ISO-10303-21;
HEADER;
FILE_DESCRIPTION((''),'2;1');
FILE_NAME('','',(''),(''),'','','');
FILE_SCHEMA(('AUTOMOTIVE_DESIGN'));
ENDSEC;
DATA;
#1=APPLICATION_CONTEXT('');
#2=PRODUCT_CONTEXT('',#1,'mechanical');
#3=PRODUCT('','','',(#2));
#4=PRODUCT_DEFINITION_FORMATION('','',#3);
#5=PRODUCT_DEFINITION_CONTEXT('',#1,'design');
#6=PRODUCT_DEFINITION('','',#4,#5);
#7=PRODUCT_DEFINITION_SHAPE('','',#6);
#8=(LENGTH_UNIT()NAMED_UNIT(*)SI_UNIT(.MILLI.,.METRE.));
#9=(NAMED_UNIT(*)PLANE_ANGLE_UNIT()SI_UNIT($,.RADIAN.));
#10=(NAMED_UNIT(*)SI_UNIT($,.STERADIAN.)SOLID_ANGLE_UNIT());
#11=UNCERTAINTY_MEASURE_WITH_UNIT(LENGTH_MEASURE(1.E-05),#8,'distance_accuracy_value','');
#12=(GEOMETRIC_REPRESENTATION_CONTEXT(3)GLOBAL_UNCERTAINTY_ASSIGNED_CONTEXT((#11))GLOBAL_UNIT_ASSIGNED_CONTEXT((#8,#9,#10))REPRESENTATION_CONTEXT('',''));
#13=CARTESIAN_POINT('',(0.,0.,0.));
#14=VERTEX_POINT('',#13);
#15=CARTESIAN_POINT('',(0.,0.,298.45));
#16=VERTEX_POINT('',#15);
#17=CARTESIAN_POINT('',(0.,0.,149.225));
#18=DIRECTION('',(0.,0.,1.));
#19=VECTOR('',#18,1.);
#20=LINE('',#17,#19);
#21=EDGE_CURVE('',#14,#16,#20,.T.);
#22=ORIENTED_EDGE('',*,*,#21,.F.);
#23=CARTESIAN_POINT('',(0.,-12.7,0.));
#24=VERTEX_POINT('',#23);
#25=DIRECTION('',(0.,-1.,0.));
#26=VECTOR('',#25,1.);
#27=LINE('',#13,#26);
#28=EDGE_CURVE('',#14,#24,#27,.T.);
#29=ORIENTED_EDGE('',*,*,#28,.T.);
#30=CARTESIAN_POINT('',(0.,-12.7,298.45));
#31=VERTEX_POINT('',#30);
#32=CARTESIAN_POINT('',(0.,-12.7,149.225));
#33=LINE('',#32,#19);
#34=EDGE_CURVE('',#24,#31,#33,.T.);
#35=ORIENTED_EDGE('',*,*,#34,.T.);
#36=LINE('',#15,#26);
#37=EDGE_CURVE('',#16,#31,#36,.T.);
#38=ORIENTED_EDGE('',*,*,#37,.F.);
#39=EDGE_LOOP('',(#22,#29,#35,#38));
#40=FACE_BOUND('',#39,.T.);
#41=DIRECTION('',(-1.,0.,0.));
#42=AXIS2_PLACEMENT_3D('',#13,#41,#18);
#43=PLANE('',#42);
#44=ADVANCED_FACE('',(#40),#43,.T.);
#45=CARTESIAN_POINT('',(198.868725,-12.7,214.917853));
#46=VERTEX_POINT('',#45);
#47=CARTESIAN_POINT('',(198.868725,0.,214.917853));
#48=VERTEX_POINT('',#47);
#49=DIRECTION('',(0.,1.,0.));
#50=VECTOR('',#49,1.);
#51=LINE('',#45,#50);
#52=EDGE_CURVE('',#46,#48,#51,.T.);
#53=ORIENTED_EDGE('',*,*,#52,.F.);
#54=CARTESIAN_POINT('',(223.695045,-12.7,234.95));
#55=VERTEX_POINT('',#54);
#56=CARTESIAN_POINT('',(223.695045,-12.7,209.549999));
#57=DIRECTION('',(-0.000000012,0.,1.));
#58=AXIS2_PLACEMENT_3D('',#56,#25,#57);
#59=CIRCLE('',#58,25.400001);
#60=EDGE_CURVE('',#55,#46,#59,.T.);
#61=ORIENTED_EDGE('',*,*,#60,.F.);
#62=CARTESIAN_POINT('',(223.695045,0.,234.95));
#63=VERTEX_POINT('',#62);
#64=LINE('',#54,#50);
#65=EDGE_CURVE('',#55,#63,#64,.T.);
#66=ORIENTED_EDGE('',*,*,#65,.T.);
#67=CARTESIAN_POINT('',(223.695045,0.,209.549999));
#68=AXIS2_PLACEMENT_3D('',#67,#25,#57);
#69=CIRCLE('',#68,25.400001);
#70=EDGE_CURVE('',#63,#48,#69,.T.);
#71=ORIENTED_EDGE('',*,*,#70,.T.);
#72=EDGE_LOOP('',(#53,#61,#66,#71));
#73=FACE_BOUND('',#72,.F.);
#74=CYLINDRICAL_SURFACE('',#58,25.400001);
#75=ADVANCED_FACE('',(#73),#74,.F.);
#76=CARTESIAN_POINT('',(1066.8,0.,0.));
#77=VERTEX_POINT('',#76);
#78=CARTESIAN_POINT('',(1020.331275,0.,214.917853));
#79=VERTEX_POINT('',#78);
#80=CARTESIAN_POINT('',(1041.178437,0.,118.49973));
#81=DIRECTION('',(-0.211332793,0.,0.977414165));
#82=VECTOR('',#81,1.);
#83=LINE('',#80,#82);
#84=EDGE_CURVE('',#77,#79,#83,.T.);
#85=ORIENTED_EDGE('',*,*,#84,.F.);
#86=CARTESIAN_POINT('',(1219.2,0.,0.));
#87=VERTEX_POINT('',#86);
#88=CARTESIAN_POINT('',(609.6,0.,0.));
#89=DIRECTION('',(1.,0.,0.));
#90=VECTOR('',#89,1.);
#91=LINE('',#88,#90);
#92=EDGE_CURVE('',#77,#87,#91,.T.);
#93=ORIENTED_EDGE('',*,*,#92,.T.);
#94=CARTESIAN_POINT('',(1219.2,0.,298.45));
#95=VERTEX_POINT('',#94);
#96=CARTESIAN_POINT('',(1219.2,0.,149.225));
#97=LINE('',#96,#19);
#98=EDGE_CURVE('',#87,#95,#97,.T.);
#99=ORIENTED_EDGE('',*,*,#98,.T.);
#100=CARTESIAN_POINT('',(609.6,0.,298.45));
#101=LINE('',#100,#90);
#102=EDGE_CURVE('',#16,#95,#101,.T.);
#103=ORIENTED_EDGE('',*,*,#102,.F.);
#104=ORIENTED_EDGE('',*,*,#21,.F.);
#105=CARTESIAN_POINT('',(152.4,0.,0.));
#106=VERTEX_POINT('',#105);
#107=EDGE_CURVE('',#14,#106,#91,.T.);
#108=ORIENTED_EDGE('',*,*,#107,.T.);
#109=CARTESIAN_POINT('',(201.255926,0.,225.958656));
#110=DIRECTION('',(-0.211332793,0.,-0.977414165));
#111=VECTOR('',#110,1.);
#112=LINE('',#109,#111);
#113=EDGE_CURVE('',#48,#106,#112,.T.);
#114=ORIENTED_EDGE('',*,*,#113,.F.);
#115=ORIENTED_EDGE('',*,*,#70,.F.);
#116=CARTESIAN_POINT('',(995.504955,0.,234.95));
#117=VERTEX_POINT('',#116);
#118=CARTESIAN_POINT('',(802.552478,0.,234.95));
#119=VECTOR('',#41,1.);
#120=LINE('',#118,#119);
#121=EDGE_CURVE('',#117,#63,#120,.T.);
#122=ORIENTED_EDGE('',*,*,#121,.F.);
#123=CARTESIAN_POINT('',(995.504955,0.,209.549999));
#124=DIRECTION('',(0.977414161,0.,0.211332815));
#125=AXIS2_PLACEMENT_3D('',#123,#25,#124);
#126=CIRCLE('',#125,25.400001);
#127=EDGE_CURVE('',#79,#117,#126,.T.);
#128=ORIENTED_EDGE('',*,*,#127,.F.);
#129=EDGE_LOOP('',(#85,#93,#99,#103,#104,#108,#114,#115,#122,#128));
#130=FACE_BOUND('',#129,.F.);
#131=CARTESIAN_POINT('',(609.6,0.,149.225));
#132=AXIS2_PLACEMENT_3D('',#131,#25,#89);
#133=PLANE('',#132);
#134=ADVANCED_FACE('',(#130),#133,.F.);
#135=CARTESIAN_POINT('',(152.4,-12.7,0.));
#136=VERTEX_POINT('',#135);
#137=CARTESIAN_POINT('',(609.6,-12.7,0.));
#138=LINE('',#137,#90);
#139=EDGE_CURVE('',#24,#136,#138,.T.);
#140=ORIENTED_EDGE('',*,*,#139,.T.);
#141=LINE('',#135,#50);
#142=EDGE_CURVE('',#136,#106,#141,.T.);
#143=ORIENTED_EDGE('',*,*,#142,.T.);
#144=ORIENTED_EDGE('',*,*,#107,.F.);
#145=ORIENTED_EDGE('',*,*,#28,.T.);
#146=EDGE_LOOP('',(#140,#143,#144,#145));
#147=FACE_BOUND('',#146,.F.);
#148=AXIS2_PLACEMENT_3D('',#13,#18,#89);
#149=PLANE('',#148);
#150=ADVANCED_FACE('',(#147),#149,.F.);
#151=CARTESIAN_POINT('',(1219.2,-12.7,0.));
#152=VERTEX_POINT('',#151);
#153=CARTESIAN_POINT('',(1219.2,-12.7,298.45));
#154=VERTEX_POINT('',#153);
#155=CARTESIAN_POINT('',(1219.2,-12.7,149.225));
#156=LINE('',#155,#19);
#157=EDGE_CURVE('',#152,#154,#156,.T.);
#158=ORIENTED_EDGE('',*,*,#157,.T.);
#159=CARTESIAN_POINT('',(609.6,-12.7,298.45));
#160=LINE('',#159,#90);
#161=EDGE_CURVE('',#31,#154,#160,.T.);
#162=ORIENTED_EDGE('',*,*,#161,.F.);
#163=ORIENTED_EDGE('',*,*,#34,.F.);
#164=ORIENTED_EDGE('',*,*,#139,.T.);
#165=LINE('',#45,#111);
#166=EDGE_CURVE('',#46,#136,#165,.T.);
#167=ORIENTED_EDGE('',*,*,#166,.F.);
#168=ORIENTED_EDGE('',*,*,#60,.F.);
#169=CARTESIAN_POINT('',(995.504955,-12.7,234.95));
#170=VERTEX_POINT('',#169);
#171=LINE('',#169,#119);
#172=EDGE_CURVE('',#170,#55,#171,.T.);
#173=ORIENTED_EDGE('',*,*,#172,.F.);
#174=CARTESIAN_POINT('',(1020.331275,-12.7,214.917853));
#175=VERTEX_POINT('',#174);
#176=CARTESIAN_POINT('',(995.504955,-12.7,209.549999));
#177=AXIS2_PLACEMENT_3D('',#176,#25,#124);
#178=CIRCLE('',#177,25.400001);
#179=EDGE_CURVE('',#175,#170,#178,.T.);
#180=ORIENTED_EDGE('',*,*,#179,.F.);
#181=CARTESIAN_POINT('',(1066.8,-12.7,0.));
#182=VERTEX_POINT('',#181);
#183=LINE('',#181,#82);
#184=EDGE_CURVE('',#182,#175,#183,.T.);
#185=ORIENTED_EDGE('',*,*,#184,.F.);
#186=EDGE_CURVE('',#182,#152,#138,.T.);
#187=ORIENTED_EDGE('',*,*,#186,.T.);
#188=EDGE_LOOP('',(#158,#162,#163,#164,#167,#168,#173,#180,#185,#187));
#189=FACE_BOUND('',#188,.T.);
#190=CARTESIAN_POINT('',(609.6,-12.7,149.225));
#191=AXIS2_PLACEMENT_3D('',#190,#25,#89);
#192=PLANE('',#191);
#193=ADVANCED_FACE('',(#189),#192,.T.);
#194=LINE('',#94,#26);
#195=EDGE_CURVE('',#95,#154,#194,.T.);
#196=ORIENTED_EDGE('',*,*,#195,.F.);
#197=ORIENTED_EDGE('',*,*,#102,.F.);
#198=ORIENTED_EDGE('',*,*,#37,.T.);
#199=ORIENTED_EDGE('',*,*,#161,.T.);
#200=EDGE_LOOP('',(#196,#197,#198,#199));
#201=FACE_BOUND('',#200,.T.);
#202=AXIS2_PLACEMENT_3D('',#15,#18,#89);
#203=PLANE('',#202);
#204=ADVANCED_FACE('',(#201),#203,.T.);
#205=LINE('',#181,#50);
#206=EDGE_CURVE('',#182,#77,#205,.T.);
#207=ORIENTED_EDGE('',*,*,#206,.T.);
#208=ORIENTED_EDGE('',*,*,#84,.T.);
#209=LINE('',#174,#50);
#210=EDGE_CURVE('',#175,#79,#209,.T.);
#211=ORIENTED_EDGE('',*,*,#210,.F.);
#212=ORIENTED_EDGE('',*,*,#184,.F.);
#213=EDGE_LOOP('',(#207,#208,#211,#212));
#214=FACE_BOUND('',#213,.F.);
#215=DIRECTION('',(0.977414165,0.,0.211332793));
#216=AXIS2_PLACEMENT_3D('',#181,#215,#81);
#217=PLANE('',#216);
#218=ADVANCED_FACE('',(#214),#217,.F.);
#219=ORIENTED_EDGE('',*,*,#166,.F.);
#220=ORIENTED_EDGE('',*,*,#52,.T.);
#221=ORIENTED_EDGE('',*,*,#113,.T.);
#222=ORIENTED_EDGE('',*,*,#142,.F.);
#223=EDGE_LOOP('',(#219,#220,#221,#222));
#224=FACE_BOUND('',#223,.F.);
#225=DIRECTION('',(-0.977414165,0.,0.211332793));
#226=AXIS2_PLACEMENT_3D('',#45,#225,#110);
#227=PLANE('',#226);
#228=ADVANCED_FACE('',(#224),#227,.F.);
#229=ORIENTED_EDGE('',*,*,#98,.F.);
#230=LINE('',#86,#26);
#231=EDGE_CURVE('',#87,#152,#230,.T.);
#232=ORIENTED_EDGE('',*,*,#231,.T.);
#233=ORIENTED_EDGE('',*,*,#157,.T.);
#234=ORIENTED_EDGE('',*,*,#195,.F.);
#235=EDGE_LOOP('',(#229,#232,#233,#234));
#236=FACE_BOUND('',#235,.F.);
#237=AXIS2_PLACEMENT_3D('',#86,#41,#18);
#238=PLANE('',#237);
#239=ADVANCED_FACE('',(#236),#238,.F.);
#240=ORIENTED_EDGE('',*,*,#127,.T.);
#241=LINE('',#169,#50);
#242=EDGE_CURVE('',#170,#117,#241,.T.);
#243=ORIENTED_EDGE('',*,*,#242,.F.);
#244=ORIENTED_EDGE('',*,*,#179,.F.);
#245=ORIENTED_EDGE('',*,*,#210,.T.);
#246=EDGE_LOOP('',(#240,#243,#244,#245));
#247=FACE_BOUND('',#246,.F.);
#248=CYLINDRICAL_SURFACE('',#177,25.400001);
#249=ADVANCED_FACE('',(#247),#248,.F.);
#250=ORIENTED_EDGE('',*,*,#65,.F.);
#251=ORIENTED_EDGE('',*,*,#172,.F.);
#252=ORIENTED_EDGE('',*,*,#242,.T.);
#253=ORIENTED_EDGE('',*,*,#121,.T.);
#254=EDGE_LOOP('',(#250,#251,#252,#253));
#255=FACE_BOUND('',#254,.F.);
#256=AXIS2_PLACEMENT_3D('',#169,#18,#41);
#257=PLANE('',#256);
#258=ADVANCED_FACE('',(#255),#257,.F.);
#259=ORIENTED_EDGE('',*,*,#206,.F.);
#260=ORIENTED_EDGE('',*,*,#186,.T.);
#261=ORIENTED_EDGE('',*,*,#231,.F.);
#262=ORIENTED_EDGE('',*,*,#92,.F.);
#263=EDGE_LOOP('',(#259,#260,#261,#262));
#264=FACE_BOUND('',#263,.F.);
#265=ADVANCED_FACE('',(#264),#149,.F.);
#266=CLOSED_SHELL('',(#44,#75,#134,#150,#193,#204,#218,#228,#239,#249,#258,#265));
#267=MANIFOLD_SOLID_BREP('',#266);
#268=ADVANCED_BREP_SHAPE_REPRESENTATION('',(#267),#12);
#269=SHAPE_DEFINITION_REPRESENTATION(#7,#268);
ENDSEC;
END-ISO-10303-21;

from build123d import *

# Parameters (mm, degrees)
F0_W     = 1219.2
F0_H     = 298.45
F1_DEPTH = 12.7
F3_DEPTH = 12.701


with BuildPart() as f1:
    # F0 (on Front) → F1 (new body)
    with BuildSketch(Plane.XZ):
        with Locations((609.6, 149.225)):
            Rectangle(F0_W, F0_H)
    extrude(amount=F1_DEPTH)

    # F2 (on face) → F3 (cut, through all)
    with BuildSketch(Plane.XZ.offset(12.7)):
        with BuildLine():
            Line((198.868725, 214.917853), (152.4, 0))
            Line((152.4, 0), (1066.8, 0))
            Line((1066.8, 0), (1020.331275, 214.917853))
            ThreePointArc((1020.331275, 214.917853), (1011.455136, 229.317441), (995.504955, 234.95))
            Line((995.504955, 234.95), (223.695045, 234.95))
            ThreePointArc((223.695045, 234.95), (207.744864, 229.317441), (198.868725, 214.917853))
        make_face()
    extrude(amount=-F3_DEPTH, mode=Mode.SUBTRACT)


solid = f1.part
